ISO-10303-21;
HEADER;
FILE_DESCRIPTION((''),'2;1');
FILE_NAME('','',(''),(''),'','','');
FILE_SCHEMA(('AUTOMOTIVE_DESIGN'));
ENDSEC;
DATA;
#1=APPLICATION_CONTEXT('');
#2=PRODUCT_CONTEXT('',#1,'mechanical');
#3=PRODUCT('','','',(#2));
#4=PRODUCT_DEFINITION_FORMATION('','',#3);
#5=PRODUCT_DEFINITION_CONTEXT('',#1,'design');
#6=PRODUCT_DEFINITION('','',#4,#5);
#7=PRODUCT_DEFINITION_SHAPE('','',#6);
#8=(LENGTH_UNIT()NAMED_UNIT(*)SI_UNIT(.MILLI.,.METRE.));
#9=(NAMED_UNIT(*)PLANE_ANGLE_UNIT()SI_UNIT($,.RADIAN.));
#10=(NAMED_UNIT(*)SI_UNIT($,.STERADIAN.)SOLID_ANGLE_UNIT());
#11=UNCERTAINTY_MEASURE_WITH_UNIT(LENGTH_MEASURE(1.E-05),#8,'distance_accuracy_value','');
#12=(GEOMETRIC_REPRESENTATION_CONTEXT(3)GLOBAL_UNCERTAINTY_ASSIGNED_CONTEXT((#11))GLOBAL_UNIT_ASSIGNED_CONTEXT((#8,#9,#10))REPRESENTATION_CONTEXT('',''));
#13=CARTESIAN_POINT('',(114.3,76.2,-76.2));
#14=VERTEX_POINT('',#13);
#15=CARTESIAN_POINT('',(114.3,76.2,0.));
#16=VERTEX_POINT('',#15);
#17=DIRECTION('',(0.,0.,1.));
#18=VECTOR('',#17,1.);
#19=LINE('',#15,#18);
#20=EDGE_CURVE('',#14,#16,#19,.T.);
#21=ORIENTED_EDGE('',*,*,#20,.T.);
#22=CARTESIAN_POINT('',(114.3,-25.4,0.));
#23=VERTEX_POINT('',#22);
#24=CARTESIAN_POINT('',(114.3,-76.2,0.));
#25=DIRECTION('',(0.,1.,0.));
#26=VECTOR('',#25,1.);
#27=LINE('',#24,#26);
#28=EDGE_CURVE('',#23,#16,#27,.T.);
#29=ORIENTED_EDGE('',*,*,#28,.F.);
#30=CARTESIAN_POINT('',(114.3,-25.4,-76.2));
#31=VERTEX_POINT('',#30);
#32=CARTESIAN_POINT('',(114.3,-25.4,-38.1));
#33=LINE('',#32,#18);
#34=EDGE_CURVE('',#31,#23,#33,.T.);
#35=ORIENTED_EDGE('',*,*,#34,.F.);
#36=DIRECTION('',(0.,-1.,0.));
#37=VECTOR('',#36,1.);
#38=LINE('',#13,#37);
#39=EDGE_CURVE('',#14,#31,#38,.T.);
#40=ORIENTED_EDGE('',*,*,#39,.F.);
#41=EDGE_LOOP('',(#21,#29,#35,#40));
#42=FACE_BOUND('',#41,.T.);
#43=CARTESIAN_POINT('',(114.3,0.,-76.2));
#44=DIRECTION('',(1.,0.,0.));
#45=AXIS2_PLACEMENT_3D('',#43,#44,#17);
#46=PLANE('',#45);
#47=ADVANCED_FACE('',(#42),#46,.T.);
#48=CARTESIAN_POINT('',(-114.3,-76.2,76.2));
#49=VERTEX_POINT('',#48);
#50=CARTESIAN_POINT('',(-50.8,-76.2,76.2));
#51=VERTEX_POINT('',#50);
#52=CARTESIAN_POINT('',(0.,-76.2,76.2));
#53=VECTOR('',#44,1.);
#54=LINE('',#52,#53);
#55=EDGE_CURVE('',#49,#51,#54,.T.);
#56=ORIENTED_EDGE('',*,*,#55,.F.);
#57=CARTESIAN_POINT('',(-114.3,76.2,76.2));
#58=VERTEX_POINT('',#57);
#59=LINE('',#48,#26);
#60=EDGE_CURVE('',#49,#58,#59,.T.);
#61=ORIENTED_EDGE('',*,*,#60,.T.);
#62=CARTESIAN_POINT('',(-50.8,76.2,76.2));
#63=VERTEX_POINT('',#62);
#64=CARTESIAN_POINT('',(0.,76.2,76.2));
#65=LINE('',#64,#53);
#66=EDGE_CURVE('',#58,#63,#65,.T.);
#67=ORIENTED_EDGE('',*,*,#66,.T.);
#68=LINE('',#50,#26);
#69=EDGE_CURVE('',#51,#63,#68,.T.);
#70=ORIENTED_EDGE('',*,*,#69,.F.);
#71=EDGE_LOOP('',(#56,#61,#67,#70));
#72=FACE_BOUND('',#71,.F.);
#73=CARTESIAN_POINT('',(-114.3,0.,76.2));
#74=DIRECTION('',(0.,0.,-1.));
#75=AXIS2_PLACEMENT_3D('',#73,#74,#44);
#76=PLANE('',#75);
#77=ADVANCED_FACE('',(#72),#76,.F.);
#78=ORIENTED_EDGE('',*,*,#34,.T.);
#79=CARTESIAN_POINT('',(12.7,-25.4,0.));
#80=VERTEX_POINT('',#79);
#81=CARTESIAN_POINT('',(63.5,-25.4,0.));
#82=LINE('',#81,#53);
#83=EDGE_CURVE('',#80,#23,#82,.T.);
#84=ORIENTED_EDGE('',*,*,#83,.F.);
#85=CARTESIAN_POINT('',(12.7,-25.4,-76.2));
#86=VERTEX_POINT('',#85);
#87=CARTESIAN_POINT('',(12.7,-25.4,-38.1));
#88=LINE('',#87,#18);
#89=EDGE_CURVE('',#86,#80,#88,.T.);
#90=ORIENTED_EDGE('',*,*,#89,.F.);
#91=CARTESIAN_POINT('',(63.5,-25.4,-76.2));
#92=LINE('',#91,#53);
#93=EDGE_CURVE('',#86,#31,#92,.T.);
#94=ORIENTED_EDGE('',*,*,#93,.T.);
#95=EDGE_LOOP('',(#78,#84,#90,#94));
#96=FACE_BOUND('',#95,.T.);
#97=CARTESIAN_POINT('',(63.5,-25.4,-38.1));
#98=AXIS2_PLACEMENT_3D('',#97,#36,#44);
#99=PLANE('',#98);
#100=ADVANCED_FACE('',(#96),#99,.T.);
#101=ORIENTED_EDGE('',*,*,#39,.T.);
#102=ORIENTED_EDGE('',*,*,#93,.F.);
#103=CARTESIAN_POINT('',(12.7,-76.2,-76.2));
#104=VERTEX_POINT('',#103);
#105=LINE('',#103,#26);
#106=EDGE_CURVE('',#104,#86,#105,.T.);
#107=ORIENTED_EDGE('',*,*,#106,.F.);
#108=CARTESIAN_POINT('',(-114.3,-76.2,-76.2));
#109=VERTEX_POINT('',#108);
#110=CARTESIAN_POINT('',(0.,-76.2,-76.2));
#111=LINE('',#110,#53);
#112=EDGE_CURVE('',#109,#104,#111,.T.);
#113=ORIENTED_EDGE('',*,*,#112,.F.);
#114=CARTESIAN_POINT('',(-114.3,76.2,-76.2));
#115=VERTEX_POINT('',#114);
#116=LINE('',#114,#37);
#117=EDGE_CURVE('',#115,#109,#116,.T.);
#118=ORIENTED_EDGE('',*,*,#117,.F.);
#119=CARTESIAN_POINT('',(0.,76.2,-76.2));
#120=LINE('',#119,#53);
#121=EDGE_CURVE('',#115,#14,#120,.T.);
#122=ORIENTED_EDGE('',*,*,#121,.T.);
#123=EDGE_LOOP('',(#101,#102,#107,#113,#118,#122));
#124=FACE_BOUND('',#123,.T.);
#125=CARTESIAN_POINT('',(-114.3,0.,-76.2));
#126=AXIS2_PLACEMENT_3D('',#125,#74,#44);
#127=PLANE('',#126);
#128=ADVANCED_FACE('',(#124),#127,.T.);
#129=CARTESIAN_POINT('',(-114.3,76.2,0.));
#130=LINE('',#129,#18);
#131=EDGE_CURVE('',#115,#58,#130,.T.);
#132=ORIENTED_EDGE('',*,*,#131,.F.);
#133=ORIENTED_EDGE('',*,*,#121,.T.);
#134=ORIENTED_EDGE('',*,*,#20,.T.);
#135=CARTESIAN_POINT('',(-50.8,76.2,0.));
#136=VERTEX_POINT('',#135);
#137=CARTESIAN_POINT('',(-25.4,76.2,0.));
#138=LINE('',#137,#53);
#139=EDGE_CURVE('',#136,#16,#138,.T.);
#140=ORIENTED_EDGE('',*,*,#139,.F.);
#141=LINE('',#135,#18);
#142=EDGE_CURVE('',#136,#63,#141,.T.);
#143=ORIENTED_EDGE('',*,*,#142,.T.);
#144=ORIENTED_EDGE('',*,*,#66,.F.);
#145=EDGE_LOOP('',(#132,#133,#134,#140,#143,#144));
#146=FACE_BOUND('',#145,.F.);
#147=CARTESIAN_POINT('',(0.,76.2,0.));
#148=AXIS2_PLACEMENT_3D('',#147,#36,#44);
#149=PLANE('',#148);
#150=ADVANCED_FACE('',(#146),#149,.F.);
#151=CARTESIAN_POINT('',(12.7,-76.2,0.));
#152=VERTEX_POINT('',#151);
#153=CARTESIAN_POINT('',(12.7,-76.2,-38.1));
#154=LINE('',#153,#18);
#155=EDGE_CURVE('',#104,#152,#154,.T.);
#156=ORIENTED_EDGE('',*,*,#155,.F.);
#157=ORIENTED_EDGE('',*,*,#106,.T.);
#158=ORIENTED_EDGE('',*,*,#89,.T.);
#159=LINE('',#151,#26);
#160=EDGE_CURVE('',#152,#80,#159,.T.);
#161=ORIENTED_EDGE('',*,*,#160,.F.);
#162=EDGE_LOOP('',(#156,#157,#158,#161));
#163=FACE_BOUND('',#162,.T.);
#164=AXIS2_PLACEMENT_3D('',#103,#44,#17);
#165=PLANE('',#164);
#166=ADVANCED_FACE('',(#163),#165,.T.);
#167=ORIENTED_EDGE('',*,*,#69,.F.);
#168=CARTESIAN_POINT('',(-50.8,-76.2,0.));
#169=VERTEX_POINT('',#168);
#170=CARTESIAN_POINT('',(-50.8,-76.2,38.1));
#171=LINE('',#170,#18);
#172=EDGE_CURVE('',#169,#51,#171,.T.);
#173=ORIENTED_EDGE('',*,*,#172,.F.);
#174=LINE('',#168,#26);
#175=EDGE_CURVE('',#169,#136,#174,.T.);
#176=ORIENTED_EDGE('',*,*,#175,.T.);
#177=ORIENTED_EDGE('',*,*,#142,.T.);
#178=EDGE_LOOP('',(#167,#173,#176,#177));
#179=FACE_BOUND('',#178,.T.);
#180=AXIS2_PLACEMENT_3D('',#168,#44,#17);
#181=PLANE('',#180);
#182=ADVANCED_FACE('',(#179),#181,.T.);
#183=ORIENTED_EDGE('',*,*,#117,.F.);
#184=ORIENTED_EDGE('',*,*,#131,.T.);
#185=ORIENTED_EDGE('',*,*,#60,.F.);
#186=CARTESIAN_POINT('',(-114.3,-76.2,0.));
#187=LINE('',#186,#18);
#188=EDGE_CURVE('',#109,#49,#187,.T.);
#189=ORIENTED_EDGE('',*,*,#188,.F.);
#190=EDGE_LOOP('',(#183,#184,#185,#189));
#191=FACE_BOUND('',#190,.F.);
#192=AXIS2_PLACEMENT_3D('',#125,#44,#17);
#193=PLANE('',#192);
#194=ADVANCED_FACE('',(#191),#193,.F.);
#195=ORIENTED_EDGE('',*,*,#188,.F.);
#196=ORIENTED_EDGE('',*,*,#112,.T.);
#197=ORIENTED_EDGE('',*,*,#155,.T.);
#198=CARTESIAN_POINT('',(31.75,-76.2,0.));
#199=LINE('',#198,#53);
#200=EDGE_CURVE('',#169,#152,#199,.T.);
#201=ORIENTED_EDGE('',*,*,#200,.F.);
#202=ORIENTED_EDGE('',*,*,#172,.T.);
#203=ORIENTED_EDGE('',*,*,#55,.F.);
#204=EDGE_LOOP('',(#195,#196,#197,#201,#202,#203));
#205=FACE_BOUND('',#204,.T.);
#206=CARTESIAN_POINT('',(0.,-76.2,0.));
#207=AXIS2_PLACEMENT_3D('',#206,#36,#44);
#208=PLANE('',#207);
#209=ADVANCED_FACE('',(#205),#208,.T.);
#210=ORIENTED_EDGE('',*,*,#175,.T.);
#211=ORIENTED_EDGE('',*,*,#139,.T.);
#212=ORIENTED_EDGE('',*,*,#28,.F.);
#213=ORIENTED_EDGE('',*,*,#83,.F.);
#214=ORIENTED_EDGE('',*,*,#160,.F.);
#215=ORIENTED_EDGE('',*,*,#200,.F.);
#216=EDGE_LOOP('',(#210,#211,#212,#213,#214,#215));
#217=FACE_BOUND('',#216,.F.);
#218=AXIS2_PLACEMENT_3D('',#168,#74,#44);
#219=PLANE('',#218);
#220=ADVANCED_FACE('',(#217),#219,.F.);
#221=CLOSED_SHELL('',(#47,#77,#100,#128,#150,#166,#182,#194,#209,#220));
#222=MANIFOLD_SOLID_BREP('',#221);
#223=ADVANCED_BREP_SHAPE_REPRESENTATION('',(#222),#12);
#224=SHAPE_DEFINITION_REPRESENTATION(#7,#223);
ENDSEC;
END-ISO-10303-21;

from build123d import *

# Parameters (mm, degrees)
F0_W     = 228.6
F0_H     = 152.4
F1_DEPTH = 76.2
F2_W     = 165.1
F2_H     = 76.2
F3_DEPTH = 152.401
F4_W     = 101.6
F4_H     = 76.2
F5_DEPTH = 50.8


with BuildPart() as f1:
    # F0 (on Front) → F1 (new body, symmetric)
    with BuildSketch(Plane.XZ):
        Rectangle(F0_W, F0_H)
    extrude(amount=F1_DEPTH, both=True)

    # F2 (on face) → F3 (cut, through all)
    with BuildSketch(Plane.XZ.offset(76.2)):
        with Locations((31.75, 38.1)):
            Rectangle(F2_W, F2_H)
    extrude(amount=-F3_DEPTH, mode=Mode.SUBTRACT)

    # F4 (on face) → F5 (cut)
    with BuildSketch(Plane.XZ.offset(76.2)):
        with Locations((63.5, -38.1)):
            Rectangle(F4_W, F4_H)
    extrude(amount=-F5_DEPTH, mode=Mode.SUBTRACT)


solid = f1.part
